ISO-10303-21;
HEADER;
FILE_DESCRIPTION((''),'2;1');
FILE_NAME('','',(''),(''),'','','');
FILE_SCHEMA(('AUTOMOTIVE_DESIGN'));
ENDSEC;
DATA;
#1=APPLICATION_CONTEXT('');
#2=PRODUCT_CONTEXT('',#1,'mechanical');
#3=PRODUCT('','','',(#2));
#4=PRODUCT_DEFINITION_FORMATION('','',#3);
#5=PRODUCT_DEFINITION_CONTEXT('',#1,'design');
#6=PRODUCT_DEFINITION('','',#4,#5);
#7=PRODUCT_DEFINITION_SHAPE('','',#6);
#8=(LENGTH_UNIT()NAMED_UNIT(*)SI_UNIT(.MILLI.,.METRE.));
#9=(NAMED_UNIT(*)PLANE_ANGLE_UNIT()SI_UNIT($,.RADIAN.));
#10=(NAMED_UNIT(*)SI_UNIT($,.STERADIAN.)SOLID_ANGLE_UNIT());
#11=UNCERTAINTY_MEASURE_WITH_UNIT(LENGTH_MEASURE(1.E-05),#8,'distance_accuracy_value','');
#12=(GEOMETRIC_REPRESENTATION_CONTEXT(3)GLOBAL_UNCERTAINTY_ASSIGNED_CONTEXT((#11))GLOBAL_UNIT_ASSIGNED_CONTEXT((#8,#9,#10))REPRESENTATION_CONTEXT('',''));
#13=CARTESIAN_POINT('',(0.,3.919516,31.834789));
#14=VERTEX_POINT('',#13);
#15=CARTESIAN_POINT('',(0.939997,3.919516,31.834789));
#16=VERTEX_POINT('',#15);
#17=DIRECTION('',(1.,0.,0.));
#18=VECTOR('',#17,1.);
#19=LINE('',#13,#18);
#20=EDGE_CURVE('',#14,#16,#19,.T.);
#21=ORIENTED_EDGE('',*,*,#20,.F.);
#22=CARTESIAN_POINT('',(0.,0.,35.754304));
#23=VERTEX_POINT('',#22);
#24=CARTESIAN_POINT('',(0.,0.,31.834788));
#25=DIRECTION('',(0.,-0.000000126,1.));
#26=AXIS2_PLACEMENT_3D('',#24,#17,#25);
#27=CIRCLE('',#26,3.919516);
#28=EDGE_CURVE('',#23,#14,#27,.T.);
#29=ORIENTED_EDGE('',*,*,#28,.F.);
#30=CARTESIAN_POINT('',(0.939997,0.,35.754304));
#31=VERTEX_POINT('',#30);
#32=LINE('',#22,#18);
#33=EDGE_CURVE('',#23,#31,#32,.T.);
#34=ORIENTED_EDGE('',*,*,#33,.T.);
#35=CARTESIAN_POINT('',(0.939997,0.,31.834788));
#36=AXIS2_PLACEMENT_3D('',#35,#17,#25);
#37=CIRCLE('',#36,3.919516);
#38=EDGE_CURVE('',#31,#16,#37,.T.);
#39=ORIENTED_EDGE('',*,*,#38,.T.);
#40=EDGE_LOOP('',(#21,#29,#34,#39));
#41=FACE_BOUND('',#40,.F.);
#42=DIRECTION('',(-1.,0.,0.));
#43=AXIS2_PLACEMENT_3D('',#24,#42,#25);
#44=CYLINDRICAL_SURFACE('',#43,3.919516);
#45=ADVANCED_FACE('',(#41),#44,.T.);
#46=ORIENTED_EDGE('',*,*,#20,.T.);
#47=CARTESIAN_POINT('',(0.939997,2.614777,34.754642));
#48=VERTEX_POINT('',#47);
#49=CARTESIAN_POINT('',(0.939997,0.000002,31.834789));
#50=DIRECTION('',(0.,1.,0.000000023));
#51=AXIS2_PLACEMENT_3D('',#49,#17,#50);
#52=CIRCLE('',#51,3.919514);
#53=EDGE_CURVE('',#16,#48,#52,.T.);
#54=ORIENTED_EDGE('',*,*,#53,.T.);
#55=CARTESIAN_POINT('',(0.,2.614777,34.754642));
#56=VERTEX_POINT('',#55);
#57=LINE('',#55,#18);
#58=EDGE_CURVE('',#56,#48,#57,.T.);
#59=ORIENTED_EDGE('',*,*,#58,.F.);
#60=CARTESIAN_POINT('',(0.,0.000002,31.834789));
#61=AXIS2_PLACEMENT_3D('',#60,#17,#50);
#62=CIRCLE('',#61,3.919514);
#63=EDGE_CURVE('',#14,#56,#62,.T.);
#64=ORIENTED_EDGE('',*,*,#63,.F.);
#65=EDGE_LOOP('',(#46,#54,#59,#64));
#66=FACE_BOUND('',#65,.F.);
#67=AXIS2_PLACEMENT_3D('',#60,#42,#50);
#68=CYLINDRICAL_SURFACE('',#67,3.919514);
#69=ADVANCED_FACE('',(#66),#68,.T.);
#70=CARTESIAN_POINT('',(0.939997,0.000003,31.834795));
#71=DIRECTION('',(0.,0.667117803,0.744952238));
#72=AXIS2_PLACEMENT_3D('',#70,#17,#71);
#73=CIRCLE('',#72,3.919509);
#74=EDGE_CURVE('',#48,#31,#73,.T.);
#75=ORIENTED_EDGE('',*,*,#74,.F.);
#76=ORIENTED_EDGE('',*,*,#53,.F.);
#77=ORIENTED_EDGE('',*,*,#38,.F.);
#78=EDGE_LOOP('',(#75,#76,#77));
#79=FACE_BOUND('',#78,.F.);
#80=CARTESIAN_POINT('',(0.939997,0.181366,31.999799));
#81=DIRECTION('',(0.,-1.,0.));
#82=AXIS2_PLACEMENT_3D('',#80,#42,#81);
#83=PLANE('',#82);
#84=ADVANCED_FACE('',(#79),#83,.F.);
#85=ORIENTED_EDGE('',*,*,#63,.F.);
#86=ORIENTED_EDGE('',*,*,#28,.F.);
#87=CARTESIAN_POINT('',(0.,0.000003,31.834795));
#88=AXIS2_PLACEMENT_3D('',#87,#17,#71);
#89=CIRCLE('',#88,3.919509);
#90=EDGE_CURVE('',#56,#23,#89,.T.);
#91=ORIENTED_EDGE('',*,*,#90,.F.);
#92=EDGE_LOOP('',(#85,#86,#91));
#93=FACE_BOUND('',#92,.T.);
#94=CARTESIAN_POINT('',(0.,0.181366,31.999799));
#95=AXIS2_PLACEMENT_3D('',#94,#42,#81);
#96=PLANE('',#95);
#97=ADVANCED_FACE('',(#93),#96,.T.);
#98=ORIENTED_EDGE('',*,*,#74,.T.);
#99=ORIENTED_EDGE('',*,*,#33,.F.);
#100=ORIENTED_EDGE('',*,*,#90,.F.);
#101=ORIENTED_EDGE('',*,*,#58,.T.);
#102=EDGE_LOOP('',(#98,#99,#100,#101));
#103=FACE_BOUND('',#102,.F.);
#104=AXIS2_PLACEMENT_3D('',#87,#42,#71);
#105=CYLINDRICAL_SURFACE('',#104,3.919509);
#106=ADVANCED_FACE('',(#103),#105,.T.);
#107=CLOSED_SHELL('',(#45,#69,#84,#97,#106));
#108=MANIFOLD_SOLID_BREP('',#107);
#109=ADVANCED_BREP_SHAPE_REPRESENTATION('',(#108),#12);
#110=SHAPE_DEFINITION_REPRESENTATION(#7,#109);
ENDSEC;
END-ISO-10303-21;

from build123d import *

# Parameters (mm, degrees)
F1_DEPTH = 0.939997


with BuildPart() as f1:
    # F0 (on Right) → F1 (new body)
    with BuildSketch(Plane.YZ):
        with BuildLine():
            add(Edge.make_bspline(
                [(0, 35.754304), (0.789085, 35.428337), (1.671295, 35.090135), (2.614777, 34.754642)],
                knots=[0, 0, 0, 0, 3.075861, 3.075861, 3.075861, 3.075861], degree=3))
            ThreePointArc((0, 35.754304), (-2.771516, 29.063273), (3.919516, 31.834789))
            ThreePointArc((3.919516, 31.834789), (3.578496, 33.433842), (2.614777, 34.754642))
        make_face()
        with BuildLine():
            ThreePointArc((2.614777, 34.754642), (1.399677, 35.495869), (0, 35.754304))
            add(Edge.make_bspline(
                [(0, 35.754304), (0.789085, 35.428337), (1.671295, 35.090135), (2.614777, 34.754642)],
                knots=[0, 0, 0, 0, 3.075861, 3.075861, 3.075861, 3.075861], degree=3))
        make_face()
    extrude(amount=F1_DEPTH)


solid = f1.part
